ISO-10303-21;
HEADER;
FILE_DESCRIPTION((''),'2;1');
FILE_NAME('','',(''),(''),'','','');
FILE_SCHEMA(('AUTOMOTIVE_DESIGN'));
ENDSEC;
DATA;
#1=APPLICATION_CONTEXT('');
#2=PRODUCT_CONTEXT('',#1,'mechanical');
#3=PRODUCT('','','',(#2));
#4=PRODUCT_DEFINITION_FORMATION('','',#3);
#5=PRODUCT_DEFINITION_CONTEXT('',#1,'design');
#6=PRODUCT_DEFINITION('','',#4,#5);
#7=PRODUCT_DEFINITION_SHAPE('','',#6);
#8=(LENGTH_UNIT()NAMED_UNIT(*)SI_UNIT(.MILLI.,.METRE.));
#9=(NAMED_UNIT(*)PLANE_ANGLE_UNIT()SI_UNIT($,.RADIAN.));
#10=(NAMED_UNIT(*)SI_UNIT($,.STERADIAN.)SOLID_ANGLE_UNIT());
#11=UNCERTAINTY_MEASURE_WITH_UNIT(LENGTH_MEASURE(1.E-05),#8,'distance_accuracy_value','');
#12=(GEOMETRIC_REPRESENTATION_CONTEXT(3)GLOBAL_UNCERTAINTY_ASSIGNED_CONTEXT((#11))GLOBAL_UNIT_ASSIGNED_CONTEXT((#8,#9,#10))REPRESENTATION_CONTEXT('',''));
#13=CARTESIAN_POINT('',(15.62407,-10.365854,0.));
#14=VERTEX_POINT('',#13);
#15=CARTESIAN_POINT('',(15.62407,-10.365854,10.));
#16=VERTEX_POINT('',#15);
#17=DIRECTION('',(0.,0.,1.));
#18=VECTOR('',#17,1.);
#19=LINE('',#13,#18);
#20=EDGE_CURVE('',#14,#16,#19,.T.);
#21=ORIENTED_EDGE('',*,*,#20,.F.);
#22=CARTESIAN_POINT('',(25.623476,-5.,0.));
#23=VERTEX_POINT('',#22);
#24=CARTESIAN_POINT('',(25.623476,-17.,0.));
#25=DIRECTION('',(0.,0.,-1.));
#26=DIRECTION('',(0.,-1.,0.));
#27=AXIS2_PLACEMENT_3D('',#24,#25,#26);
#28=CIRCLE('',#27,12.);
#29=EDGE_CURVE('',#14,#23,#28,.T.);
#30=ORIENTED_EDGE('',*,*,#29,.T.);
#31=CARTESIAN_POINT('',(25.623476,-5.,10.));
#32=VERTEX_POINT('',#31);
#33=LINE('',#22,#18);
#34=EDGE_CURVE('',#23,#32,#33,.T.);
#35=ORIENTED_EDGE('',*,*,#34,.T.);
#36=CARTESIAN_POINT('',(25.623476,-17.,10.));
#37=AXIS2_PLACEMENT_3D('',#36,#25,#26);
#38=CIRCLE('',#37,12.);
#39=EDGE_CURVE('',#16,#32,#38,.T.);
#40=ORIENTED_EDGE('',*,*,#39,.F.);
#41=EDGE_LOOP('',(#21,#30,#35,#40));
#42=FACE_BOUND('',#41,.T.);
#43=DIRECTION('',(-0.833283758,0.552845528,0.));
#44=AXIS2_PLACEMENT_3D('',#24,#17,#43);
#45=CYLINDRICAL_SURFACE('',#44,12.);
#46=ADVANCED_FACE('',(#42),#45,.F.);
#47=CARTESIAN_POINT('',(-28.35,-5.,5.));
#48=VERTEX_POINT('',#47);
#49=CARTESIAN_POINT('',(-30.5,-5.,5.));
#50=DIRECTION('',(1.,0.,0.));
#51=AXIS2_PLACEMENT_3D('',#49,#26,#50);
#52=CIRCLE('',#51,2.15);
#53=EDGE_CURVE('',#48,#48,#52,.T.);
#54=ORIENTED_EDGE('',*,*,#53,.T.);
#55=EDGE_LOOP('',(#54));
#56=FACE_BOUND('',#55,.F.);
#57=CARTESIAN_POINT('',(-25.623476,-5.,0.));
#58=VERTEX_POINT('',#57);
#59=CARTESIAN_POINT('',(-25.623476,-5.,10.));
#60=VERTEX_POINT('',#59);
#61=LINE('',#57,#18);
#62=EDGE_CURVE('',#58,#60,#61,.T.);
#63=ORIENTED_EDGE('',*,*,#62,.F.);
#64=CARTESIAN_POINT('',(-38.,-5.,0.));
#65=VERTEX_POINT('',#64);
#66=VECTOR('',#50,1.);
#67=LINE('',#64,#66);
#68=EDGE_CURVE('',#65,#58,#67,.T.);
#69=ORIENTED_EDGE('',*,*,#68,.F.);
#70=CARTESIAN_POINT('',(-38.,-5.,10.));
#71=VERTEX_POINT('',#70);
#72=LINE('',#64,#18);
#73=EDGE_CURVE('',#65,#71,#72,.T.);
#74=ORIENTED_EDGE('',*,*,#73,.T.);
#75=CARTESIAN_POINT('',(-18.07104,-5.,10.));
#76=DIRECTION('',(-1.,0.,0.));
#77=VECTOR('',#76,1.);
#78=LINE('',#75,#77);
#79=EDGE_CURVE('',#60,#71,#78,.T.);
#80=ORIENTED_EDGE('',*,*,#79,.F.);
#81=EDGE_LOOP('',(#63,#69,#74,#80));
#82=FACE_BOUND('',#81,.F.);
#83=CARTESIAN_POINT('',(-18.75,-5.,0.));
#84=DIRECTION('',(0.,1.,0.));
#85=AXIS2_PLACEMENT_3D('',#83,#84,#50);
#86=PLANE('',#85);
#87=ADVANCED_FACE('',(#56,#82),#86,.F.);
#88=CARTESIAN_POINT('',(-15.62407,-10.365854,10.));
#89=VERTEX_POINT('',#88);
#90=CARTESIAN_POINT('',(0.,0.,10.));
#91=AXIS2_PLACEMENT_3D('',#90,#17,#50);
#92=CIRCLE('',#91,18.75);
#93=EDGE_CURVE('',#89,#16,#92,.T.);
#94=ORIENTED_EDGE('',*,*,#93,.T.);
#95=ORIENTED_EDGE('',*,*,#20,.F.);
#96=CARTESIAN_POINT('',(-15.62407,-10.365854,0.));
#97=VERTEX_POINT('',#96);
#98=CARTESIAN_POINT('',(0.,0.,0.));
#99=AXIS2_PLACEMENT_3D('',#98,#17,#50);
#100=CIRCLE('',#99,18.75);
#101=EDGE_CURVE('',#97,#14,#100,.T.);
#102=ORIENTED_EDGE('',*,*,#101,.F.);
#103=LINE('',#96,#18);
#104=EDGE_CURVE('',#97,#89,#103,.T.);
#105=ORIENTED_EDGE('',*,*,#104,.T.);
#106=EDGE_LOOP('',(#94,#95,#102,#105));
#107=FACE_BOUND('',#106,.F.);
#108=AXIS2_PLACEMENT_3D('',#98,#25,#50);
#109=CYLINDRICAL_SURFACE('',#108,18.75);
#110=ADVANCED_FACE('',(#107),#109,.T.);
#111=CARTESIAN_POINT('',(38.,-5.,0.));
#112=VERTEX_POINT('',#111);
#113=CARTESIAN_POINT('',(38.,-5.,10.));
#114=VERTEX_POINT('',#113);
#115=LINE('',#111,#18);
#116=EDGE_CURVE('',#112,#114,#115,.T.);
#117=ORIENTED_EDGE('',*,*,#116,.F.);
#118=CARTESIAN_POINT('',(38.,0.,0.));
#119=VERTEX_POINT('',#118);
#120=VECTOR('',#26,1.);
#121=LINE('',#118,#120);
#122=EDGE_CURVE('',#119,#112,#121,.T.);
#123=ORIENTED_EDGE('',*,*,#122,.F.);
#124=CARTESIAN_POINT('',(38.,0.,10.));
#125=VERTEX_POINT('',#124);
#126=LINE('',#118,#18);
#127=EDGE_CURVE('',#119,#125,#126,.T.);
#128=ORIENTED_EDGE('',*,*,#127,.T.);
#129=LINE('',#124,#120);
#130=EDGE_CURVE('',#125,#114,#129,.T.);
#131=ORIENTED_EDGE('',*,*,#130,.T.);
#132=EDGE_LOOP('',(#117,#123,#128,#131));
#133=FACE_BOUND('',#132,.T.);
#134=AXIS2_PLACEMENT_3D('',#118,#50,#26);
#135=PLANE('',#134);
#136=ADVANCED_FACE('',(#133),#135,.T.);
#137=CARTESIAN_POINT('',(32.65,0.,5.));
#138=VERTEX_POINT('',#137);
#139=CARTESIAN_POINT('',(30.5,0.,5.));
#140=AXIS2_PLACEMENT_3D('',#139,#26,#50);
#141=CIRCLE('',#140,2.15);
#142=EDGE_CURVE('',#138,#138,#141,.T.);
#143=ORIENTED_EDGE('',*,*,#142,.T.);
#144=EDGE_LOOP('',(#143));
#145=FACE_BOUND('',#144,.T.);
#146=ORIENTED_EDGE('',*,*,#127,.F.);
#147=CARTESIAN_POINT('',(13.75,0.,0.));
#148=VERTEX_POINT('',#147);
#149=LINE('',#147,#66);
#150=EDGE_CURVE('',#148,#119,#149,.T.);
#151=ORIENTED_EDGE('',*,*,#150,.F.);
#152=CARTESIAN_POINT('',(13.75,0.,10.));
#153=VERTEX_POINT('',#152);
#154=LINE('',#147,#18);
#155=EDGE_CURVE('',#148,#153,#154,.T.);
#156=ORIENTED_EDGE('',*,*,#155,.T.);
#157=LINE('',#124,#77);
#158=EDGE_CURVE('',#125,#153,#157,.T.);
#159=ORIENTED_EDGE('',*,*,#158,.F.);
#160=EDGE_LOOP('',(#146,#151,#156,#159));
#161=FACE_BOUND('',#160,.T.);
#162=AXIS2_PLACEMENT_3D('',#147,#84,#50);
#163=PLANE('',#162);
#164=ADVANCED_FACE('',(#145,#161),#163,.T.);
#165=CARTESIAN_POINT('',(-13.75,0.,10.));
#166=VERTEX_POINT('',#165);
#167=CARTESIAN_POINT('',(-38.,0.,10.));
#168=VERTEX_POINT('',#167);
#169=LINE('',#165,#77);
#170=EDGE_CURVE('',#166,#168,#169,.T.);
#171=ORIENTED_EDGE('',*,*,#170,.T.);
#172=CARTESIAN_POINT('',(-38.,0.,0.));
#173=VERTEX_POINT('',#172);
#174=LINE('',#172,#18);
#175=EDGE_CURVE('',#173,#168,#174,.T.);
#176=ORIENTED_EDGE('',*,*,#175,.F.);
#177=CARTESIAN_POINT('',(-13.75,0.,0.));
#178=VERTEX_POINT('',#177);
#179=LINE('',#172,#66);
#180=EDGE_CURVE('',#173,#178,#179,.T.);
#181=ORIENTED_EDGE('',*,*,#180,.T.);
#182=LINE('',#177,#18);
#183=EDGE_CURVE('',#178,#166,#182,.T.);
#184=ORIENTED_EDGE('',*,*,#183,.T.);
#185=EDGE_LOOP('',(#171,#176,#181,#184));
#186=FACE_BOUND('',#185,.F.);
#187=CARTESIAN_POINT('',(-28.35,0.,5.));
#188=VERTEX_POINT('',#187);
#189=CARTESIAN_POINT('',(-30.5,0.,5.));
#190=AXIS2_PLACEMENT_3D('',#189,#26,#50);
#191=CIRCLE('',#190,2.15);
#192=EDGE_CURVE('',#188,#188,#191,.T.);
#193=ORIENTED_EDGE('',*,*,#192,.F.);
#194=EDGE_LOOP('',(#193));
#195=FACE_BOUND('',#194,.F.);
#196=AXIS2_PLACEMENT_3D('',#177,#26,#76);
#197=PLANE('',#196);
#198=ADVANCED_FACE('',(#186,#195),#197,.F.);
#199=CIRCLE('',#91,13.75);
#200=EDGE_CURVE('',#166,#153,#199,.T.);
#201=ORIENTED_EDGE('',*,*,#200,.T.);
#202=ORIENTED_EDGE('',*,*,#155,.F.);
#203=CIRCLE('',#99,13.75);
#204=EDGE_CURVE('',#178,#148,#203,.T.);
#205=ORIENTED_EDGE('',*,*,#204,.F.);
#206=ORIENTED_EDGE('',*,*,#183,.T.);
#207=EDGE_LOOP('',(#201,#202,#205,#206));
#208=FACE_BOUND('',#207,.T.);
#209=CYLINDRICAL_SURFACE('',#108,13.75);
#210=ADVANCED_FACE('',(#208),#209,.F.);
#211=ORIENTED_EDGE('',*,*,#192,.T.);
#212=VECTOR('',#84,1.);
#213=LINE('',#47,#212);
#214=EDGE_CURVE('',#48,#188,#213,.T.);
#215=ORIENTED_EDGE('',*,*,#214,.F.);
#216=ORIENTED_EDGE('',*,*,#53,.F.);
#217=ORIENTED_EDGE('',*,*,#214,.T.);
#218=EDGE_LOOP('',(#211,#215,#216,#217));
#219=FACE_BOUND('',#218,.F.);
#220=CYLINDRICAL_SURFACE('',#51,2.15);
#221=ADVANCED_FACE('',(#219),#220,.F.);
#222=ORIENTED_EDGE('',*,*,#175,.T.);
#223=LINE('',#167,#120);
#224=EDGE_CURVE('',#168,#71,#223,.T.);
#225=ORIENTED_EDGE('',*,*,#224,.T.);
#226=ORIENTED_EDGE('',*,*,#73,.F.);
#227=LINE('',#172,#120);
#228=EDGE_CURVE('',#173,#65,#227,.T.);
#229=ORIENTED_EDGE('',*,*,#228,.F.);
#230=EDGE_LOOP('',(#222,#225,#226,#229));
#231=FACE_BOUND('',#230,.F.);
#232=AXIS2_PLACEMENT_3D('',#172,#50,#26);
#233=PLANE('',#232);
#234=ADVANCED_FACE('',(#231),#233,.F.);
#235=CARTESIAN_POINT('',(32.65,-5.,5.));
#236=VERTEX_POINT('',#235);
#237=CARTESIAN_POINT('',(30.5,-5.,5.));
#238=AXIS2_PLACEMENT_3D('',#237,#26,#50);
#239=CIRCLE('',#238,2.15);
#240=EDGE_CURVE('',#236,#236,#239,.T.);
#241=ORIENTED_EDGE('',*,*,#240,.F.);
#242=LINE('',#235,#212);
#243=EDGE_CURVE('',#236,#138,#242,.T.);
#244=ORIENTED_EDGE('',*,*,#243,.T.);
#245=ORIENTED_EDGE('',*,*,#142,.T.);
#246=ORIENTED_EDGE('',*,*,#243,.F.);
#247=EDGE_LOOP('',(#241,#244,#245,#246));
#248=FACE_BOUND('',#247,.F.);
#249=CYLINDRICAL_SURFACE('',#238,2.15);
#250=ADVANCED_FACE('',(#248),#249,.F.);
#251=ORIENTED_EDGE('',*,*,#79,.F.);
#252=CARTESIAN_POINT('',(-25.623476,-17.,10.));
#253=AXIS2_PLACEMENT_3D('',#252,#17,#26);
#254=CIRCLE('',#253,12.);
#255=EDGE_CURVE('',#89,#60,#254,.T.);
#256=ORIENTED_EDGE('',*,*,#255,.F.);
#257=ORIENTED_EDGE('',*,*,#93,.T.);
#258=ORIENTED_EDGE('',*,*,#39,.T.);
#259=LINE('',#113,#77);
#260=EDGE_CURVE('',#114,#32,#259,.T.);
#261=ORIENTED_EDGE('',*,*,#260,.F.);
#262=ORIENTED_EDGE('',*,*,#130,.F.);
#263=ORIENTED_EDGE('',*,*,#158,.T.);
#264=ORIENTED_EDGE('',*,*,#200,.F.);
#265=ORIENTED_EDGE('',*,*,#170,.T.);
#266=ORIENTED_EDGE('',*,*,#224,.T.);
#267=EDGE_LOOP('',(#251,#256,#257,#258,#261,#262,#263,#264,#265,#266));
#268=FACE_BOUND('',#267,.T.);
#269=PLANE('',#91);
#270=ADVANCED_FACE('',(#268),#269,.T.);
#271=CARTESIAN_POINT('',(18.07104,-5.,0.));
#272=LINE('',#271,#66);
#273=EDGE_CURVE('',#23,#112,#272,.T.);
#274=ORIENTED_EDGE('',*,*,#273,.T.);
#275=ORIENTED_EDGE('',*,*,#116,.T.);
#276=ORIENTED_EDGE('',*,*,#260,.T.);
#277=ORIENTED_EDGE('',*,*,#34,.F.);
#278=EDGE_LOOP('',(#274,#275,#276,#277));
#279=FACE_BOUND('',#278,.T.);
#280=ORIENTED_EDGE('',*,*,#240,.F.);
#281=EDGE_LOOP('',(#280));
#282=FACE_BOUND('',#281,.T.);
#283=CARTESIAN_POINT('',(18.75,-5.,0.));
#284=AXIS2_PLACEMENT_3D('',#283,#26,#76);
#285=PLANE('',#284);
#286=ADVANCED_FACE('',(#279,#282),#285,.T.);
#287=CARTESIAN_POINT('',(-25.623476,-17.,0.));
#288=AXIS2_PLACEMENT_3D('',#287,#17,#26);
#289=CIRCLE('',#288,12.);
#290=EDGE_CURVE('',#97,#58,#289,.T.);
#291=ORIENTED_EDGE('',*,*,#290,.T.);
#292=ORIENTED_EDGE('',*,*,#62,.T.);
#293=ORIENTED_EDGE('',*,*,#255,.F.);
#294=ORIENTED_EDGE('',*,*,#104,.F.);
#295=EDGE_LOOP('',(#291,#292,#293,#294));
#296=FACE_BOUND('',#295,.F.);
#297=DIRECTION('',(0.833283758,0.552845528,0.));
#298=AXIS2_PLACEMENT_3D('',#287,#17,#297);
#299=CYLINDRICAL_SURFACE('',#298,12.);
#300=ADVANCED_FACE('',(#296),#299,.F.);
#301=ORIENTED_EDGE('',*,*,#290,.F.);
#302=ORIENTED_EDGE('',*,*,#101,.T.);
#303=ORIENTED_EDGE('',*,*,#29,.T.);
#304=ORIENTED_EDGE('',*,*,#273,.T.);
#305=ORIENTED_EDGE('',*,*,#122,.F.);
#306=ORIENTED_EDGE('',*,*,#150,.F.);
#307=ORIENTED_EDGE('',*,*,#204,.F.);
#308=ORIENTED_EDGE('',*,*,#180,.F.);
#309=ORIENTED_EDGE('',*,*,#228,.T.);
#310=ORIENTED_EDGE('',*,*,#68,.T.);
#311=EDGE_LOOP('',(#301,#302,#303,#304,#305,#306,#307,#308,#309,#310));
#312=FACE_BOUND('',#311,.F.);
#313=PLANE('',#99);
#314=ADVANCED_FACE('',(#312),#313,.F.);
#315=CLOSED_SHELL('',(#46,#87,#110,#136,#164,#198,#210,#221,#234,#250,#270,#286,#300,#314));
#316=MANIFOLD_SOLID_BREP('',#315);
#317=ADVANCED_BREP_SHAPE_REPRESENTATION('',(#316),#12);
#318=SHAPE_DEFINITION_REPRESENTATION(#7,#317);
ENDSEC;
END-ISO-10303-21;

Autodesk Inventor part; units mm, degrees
ref_plane "YZ Plane" through (0, 0, 0) normal (1, 0, 0) x (0, 1, 0)
ref_plane "XZ Plane" through (0, 0, 0) normal (0, 1, 0) x (-1, 0, 0)
ref_plane "XY Plane" through (0, 0, 0) normal (0, 0, 1) x (1, 0, 0)
sketch "Sketch1" plane through (0, 0, 0) normal (0, 0, 1) x (1, 0, 0)
  circle A0 centre (0, 0) radius 13.75
  circle A1 centre (0, 0) radius 18.75
  line L0 (-18.75, 0) -> (-38, 0)
  line L1 (-38, 0) -> (-38, -5)
  line L2 (-38, -5) -> (-18.75, -5)
  line L3 (-18.75, -5) -> (-18.75, 0)
  line L4 (-18.75, -5) -> (-13.75, -5)
  line L5 (-13.75, -5) -> (-13.75, 0)
  line L6 (-13.75, 0) -> (-18.75, 0)
  line L7 (-18.75, 0) -> (-18.75, -5)
  line L8 (18.75, 0) -> (38, 0)
  line L9 (38, 0) -> (38, -5)
  line L10 (38, -5) -> (18.75, -5)
  line L11 (18.75, -5) -> (18.75, 0)
  line L12 (18.75, -5) -> (13.75, -5)
  line L13 (13.75, -5) -> (13.75, 0)
  line L14 (13.75, 0) -> (18.75, 0)
  line L15 (18.75, 0) -> (18.75, -5)
  point P0 (-18.071, -5)
  point P1 (18.071, -5)
  dimension "d0" = 27.5
  dimension "d1" = 5
  dimension "d2" = 5
  dimension "d3" = 19.25
  dimension "d4" = 19.25
  dimension "d5" = 5
extrude "Extrusion1" add sketch "Sketch1" along normal blind 10 contours L13 L12 A1 L4 L5 A0 | L14 A1 L12 L13 | L5 L4 A1 L6 | L11 L12 A1 | L8 L9 L10 L11 | L3 L2 L1 L0 | A1 L4 L3
sketch "Sketch2" plane through (-38, -5, 0) normal (0, -1, 0) x (1, 0, 0)
  line L0 (0, 0) -> (19.929, 0) projected
  line L1 (19.929, 0) -> (19.929, 10) projected
  line L2 (0, 10) -> (19.929, 10) projected
  line L3 (0, 0) -> (0, 10) projected
  line L4 (56.071, 0) -> (76, 0) projected
  line L5 (76, 0) -> (76, 10) projected
  line L6 (56.071, 10) -> (76, 10) projected
  line L7 (56.071, 0) -> (56.071, 10) projected
  circle A0 centre (7.5, 5) radius 2.15
  circle A1 centre (68.5, 5) radius 2.15
  line L8 (0, 0) -> (0, 10) projected
  line L9 (76, 0) -> (76, 10) projected
  point P0 (38, 0)
  point P1 (9.9645, 10)
  point P2 (0, 5)
  point P3 (66.0355, 10)
  point P4 (76, 5)
  point P5 (0, 5)
  point P6 (0, 5)
  point P7 (76, 5)
  point P8 (76, 5)
  dimension "d8" = 4.3
  dimension "d9" = 4.3
  dimension "d13" = 7.5
  dimension "d14" = 7.5
extrude "Extrusion2" cut sketch "Sketch2" against normal up to surface (5 mm away) contours A0 | A1
fillet "Fillet1" radius 12 2 edges at (-18.071, -5, 5) (18.071, -5, 5)
equation "\"d4\" = d3"
